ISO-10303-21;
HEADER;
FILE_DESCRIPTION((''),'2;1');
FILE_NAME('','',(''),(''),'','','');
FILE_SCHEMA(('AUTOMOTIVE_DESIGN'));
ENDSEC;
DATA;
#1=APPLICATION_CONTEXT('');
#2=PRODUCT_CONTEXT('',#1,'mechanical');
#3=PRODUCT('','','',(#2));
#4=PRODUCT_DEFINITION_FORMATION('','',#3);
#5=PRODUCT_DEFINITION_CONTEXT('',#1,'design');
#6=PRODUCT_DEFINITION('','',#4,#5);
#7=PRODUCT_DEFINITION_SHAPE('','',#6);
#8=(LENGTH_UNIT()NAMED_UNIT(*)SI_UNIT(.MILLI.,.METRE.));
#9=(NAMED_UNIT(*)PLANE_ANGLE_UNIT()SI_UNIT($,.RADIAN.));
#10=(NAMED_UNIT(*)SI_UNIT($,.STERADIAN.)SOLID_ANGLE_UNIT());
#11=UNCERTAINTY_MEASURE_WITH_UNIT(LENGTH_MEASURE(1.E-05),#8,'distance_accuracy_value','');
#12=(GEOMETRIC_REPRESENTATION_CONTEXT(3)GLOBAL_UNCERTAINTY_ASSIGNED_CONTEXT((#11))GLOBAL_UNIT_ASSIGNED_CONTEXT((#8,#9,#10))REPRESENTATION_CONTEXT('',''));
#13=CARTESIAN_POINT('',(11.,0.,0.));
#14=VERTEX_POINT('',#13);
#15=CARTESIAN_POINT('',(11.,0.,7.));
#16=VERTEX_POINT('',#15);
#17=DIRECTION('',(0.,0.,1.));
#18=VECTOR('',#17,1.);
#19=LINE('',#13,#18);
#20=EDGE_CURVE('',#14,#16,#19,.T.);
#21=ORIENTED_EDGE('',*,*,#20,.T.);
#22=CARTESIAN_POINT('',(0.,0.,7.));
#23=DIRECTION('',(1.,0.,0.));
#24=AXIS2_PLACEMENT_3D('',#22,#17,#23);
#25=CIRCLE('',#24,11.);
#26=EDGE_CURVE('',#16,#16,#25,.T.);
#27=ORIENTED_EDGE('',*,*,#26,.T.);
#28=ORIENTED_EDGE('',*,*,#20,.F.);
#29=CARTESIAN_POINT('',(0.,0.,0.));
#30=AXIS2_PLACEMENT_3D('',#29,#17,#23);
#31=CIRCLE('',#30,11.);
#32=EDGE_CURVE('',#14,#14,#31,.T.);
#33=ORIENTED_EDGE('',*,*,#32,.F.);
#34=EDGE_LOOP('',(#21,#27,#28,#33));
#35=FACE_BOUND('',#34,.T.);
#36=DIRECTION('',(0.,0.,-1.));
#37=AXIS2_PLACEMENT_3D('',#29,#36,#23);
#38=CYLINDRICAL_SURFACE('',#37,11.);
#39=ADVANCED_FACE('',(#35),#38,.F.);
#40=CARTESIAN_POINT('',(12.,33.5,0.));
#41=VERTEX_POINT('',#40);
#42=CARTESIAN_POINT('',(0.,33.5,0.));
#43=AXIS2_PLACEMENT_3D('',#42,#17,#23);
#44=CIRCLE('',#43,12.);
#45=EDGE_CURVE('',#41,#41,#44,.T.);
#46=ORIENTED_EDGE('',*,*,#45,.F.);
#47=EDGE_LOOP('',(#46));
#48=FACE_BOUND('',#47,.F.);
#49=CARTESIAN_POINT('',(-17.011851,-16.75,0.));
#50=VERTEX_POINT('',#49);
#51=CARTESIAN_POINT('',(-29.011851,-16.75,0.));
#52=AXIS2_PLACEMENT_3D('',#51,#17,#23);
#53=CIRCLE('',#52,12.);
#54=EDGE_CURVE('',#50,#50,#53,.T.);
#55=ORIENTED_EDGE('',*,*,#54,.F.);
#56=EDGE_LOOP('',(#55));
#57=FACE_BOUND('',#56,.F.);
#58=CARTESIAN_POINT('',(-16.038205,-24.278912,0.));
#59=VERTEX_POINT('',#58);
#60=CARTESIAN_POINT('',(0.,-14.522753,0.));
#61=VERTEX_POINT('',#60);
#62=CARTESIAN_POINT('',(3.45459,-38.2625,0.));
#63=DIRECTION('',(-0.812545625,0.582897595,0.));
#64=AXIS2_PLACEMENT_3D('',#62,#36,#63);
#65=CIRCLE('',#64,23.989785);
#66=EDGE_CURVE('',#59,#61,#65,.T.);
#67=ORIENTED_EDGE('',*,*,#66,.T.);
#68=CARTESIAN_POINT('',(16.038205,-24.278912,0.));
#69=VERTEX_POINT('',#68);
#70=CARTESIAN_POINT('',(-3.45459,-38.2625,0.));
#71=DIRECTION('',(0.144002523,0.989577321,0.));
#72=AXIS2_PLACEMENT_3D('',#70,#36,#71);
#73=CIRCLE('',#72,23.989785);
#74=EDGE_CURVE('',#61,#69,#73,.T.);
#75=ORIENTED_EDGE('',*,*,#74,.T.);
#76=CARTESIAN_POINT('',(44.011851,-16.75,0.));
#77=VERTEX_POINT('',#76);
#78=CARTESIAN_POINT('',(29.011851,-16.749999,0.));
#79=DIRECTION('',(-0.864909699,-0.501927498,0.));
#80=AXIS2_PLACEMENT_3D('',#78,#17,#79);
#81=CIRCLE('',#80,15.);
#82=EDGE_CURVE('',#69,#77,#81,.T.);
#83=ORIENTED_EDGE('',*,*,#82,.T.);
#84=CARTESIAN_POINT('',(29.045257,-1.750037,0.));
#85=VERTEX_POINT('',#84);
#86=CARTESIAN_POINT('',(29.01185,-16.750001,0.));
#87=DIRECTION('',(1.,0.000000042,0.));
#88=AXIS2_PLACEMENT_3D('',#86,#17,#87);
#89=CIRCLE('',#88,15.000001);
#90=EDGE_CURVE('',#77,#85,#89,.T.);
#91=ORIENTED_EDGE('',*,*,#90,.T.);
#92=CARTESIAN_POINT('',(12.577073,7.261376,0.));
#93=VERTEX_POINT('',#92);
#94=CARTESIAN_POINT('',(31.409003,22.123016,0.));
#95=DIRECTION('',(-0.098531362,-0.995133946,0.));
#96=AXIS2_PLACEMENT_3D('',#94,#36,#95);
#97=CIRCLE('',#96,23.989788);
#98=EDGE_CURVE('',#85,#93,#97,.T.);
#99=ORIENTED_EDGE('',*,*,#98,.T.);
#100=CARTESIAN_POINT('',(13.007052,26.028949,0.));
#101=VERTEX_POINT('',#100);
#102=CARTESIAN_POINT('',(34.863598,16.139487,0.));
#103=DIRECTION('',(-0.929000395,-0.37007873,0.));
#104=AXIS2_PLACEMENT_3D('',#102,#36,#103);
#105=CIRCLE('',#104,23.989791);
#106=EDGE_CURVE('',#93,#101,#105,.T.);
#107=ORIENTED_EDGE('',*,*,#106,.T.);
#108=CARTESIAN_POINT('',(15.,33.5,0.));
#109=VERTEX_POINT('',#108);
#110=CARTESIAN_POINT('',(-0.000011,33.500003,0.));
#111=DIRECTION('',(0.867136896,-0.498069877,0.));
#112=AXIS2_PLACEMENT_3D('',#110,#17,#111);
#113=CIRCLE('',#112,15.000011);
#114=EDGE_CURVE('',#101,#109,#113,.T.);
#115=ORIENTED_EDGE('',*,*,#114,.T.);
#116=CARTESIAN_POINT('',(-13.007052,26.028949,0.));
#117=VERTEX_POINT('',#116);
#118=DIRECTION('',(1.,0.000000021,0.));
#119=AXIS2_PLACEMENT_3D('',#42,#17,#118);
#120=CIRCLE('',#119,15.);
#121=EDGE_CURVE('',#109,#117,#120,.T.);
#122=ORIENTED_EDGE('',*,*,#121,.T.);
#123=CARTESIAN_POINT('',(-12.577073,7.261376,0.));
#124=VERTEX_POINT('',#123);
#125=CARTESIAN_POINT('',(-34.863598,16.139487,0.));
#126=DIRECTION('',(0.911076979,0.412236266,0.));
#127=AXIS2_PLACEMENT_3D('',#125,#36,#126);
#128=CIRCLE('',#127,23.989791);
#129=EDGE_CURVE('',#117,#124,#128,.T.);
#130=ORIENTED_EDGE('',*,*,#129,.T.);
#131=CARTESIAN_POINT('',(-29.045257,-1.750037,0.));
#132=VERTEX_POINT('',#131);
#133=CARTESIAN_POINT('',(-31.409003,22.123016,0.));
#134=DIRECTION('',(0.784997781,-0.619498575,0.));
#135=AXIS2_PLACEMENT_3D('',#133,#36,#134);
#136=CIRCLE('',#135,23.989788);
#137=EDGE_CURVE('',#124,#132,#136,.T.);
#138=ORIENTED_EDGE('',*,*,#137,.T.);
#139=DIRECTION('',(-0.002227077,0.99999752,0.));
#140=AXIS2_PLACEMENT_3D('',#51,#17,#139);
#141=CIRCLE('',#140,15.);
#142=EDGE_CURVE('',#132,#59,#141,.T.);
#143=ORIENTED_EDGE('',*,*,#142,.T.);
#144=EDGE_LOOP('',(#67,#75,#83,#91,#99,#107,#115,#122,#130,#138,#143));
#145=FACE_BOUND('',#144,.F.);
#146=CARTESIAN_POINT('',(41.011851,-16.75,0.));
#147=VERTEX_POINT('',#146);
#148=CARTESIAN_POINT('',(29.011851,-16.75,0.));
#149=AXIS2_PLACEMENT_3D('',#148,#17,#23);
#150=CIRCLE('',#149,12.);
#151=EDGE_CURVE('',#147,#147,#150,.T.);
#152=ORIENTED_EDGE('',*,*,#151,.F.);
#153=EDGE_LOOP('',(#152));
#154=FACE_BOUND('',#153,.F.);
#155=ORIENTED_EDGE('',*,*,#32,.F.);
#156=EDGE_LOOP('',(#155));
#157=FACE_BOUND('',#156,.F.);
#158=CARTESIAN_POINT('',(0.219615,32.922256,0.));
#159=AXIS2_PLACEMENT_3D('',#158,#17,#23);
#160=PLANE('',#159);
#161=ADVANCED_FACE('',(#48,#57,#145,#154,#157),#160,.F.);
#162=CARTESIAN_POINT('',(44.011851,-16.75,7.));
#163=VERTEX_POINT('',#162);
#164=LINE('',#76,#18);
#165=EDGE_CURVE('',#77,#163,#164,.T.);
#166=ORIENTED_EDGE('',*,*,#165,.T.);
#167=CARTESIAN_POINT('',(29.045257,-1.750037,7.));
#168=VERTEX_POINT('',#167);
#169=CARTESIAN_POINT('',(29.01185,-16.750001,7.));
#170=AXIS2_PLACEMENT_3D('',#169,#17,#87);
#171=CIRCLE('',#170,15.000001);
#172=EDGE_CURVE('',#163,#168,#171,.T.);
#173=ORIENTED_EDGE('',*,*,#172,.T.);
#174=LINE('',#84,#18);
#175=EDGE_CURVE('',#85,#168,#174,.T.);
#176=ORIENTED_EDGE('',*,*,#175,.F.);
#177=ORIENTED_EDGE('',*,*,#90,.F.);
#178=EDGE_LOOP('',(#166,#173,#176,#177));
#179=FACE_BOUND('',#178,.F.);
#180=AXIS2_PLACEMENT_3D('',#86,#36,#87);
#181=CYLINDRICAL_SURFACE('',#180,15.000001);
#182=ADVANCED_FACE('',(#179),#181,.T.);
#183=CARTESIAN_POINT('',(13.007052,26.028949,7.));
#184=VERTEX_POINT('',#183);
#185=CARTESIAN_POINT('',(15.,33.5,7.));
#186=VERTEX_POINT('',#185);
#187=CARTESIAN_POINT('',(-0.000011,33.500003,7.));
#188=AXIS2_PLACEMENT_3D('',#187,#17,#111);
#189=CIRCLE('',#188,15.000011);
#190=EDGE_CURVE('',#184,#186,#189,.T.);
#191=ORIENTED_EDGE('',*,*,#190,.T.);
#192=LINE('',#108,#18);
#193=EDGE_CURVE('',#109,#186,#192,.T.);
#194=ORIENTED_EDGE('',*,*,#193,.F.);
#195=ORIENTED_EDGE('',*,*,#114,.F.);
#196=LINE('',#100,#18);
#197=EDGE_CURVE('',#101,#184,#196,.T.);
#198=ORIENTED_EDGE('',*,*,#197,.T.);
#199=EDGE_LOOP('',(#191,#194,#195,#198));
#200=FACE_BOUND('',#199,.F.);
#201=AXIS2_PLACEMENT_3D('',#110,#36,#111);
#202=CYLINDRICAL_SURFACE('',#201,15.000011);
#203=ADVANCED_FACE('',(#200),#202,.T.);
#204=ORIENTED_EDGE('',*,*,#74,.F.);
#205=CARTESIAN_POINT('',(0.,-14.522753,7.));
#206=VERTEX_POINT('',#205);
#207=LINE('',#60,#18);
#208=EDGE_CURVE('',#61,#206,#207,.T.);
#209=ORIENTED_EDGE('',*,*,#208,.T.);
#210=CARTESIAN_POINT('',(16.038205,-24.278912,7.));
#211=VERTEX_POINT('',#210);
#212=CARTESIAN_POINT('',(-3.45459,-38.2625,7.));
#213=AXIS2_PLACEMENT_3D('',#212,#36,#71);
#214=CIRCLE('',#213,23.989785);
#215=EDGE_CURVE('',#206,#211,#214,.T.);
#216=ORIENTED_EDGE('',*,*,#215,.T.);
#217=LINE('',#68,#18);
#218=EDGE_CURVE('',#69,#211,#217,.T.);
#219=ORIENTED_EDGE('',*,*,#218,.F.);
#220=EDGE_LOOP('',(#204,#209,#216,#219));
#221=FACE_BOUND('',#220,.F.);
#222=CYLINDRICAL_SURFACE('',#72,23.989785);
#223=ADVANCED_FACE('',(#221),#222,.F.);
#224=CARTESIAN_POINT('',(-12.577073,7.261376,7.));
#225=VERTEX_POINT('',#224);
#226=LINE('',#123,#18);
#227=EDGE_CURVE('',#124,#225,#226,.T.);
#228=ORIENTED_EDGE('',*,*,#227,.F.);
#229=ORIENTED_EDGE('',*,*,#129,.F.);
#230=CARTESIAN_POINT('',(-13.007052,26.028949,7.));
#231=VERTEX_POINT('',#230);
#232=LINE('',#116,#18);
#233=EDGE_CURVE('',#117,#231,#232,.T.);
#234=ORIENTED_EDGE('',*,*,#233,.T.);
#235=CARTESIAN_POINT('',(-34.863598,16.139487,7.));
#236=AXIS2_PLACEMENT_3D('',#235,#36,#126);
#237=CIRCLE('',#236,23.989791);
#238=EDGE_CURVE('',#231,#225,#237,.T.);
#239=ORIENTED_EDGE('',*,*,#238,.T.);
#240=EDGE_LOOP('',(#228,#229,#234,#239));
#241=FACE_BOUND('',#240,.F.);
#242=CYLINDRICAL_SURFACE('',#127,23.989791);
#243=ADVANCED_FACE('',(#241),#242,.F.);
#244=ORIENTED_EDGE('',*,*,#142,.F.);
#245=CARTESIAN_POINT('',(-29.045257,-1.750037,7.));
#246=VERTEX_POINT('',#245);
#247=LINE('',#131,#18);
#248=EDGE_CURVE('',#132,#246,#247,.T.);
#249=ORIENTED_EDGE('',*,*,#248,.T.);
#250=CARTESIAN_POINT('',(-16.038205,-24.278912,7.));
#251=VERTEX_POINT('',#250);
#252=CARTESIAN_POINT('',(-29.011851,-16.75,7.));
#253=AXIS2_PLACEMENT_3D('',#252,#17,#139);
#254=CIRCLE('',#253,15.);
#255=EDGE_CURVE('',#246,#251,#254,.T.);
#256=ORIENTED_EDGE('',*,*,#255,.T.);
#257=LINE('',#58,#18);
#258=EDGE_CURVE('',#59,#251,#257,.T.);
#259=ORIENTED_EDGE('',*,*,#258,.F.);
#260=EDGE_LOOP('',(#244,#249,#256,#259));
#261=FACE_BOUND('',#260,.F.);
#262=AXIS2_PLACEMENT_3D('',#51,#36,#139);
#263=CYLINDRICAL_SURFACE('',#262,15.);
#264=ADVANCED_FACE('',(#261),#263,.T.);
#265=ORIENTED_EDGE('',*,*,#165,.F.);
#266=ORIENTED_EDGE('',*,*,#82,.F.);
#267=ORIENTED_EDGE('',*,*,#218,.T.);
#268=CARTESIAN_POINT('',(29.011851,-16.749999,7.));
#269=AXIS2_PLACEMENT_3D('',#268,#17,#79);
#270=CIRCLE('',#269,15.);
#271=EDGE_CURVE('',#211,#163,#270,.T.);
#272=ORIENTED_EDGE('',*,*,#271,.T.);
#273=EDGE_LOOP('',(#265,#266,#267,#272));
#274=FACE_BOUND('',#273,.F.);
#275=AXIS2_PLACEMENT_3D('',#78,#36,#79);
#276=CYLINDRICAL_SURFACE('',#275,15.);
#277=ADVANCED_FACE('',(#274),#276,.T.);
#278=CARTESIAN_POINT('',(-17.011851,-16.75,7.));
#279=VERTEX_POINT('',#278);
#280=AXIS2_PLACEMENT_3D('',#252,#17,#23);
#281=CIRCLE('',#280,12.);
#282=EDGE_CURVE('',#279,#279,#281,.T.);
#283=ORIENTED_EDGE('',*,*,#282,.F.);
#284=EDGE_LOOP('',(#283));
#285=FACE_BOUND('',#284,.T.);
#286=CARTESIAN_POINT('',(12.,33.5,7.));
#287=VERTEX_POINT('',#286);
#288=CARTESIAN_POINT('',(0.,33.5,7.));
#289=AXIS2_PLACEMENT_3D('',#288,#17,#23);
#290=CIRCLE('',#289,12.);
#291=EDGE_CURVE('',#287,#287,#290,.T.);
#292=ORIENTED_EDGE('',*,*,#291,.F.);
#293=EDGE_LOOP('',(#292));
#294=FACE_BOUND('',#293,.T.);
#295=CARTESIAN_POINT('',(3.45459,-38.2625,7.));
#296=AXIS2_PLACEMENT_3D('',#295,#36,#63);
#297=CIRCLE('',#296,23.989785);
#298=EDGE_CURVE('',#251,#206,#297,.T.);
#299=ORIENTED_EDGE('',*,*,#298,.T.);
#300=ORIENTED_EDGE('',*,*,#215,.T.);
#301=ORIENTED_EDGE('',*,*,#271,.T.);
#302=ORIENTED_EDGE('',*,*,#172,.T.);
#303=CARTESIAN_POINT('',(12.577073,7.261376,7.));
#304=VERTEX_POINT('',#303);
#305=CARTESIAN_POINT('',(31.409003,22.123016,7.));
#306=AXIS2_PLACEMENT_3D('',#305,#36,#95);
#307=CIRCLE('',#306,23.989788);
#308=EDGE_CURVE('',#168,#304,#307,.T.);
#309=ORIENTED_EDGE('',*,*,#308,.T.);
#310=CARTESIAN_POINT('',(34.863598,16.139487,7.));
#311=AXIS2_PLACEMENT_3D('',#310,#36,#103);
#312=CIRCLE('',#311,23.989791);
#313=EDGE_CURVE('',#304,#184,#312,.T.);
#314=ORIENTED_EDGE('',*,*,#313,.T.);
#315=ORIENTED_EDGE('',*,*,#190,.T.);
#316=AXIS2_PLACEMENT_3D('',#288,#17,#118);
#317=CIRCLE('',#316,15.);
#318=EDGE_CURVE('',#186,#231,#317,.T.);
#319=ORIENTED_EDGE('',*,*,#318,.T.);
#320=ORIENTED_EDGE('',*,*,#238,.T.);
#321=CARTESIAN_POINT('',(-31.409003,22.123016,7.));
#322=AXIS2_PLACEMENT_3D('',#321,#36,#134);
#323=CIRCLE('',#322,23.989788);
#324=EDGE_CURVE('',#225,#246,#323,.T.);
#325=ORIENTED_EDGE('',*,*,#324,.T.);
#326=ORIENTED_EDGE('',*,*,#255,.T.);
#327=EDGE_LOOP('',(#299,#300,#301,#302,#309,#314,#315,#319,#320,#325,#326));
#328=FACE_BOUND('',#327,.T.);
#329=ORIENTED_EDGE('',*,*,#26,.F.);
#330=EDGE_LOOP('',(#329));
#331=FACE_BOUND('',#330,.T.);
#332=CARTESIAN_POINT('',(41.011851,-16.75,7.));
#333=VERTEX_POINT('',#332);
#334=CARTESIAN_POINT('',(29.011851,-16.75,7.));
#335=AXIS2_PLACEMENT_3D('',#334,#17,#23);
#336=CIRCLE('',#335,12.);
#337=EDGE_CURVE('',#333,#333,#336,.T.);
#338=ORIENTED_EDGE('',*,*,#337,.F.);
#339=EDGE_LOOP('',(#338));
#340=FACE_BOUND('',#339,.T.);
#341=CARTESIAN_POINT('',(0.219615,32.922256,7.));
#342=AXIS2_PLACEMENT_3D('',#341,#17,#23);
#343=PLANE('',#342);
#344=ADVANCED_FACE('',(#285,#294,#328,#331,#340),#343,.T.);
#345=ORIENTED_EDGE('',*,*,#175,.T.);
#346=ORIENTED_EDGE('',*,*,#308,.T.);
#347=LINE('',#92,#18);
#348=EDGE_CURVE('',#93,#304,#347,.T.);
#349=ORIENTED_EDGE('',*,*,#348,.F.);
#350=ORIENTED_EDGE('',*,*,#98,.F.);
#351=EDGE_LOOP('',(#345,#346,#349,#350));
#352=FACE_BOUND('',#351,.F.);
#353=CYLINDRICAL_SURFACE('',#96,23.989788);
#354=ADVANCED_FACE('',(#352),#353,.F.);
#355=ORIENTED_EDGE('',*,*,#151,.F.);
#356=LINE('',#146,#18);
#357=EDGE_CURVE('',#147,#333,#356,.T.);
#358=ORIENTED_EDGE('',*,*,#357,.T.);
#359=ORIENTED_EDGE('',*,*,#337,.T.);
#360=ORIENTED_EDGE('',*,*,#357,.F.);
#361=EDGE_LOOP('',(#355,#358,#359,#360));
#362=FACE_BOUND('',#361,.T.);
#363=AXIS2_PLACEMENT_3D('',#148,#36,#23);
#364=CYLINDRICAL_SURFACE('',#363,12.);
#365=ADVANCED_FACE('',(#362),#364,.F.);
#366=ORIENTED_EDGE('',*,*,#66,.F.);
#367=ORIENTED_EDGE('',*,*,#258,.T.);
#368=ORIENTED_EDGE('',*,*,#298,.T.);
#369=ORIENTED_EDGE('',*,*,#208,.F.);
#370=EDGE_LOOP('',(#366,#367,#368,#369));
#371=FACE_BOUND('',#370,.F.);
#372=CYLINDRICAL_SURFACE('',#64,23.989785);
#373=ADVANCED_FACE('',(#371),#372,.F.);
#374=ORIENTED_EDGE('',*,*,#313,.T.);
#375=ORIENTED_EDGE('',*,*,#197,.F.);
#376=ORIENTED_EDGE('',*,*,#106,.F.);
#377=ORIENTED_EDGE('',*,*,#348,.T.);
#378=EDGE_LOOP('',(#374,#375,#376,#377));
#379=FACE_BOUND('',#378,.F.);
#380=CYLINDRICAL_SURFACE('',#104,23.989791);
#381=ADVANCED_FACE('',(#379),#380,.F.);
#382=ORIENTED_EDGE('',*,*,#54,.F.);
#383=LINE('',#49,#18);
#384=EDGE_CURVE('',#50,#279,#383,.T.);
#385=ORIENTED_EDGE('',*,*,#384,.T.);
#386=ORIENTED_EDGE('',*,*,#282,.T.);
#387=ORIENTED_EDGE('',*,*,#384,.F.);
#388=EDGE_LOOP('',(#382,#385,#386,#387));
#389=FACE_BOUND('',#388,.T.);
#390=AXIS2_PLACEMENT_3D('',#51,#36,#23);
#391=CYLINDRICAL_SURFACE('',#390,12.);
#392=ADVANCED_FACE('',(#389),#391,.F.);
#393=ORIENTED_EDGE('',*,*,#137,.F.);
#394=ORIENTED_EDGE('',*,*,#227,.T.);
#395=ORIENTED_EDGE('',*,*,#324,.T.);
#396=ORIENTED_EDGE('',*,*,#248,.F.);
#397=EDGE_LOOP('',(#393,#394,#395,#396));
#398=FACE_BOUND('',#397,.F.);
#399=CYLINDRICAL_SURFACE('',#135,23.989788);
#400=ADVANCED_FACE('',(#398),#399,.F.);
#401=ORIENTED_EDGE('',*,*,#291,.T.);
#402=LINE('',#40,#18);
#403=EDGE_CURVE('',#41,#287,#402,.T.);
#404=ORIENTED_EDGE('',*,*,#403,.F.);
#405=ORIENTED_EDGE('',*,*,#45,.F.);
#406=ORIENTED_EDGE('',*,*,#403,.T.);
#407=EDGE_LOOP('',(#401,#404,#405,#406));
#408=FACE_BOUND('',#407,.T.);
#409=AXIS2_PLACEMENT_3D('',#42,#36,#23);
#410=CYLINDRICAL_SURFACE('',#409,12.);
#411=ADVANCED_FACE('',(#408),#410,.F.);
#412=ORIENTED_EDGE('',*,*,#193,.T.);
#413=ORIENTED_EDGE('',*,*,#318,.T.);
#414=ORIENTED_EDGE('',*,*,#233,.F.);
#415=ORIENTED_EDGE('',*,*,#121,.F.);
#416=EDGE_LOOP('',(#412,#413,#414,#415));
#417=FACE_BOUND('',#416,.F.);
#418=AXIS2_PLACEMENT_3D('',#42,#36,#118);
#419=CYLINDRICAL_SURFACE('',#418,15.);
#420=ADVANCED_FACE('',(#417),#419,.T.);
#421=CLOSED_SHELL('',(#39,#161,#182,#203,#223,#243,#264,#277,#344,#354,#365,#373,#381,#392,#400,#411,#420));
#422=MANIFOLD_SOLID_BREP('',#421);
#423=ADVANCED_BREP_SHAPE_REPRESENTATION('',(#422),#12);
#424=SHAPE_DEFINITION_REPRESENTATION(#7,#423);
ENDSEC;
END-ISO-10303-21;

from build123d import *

# Parameters (mm, degrees)
F0_R     = 12
F0_R_2   = 14.5
F0_R_3   = 11
F1_DEPTH = 7


with BuildPart() as f1:
    # F0 (on Top) → F1 (new body)
    with BuildSketch(Plane.XY):
        with BuildLine():
            ThreePointArc((13.007052, 26.028949), (14.493201, 29.63385), (15, 33.5))
            ThreePointArc((15, 33.5), (-3.86615, 47.993201), (-13.007052, 26.028949))
            ThreePointArc((-13.007052, 26.028949), (0, 18.5), (13.007052, 26.028949))
        make_face()
        with Locations((0, 33.5)):
            Circle(F0_R, mode=Mode.SUBTRACT)
        with BuildLine():
            ThreePointArc((13.007052, 26.028949), (0, 18.5), (-13.007052, 26.028949))
            ThreePointArc((-13.007052, 26.028949), (-10.880101, 16.688967), (-12.577073, 7.261376))
            ThreePointArc((-12.577073, 7.261376), (-19.89312, 1.07796), (-29.045257, -1.750037))
            ThreePointArc((-29.045257, -1.750037), (-18.417067, -6.131594), (-14.011851, -16.75))
            ThreePointArc((-14.011851, -16.75), (-14.527296, -20.648417), (-16.038205, -24.278912))
            ThreePointArc((-16.038205, -24.278912), (-9.013019, -17.766927), (0, -14.522753))
            ThreePointArc((0, -14.522753), (9.013019, -17.766927), (16.038205, -24.278912))
            ThreePointArc((16.038205, -24.278912), (16.02147, -9.25), (29.045257, -1.750037))
            ThreePointArc((29.045257, -1.750037), (19.89312, 1.07796), (12.577073, 7.261376))
            ThreePointArc((12.577073, 7.261376), (10.880101, 16.688967), (13.007052, 26.028949))
        make_face()
        Circle(F0_R_2, mode=Mode.SUBTRACT)
        with BuildLine():
            ThreePointArc((-14.011851, -16.75), (-18.417067, -6.131594), (-29.045257, -1.750037))
            ThreePointArc((-29.045257, -1.750037), (-42.002232, -24.25), (-16.038205, -24.278912))
            ThreePointArc((-16.038205, -24.278912), (-14.527296, -20.648417), (-14.011851, -16.75))
        make_face()
        with Locations((-29.011851, -16.75)):
            Circle(F0_R, mode=Mode.SUBTRACT)
        with BuildLine():
            ThreePointArc((44.011851, -16.75), (39.630257, -6.155216), (29.045257, -1.750037))
            ThreePointArc((29.045257, -1.750037), (16.02147, -9.25), (16.038205, -24.278912))
            ThreePointArc((16.038205, -24.278912), (32.910268, -31.234555), (44.011851, -16.75))
        make_face()
        with Locations((29.011851, -16.75)):
            Circle(F0_R, mode=Mode.SUBTRACT)
        Circle(F0_R_2)
        Circle(F0_R_3, mode=Mode.SUBTRACT)
    extrude(amount=F1_DEPTH)


solid = f1.part
